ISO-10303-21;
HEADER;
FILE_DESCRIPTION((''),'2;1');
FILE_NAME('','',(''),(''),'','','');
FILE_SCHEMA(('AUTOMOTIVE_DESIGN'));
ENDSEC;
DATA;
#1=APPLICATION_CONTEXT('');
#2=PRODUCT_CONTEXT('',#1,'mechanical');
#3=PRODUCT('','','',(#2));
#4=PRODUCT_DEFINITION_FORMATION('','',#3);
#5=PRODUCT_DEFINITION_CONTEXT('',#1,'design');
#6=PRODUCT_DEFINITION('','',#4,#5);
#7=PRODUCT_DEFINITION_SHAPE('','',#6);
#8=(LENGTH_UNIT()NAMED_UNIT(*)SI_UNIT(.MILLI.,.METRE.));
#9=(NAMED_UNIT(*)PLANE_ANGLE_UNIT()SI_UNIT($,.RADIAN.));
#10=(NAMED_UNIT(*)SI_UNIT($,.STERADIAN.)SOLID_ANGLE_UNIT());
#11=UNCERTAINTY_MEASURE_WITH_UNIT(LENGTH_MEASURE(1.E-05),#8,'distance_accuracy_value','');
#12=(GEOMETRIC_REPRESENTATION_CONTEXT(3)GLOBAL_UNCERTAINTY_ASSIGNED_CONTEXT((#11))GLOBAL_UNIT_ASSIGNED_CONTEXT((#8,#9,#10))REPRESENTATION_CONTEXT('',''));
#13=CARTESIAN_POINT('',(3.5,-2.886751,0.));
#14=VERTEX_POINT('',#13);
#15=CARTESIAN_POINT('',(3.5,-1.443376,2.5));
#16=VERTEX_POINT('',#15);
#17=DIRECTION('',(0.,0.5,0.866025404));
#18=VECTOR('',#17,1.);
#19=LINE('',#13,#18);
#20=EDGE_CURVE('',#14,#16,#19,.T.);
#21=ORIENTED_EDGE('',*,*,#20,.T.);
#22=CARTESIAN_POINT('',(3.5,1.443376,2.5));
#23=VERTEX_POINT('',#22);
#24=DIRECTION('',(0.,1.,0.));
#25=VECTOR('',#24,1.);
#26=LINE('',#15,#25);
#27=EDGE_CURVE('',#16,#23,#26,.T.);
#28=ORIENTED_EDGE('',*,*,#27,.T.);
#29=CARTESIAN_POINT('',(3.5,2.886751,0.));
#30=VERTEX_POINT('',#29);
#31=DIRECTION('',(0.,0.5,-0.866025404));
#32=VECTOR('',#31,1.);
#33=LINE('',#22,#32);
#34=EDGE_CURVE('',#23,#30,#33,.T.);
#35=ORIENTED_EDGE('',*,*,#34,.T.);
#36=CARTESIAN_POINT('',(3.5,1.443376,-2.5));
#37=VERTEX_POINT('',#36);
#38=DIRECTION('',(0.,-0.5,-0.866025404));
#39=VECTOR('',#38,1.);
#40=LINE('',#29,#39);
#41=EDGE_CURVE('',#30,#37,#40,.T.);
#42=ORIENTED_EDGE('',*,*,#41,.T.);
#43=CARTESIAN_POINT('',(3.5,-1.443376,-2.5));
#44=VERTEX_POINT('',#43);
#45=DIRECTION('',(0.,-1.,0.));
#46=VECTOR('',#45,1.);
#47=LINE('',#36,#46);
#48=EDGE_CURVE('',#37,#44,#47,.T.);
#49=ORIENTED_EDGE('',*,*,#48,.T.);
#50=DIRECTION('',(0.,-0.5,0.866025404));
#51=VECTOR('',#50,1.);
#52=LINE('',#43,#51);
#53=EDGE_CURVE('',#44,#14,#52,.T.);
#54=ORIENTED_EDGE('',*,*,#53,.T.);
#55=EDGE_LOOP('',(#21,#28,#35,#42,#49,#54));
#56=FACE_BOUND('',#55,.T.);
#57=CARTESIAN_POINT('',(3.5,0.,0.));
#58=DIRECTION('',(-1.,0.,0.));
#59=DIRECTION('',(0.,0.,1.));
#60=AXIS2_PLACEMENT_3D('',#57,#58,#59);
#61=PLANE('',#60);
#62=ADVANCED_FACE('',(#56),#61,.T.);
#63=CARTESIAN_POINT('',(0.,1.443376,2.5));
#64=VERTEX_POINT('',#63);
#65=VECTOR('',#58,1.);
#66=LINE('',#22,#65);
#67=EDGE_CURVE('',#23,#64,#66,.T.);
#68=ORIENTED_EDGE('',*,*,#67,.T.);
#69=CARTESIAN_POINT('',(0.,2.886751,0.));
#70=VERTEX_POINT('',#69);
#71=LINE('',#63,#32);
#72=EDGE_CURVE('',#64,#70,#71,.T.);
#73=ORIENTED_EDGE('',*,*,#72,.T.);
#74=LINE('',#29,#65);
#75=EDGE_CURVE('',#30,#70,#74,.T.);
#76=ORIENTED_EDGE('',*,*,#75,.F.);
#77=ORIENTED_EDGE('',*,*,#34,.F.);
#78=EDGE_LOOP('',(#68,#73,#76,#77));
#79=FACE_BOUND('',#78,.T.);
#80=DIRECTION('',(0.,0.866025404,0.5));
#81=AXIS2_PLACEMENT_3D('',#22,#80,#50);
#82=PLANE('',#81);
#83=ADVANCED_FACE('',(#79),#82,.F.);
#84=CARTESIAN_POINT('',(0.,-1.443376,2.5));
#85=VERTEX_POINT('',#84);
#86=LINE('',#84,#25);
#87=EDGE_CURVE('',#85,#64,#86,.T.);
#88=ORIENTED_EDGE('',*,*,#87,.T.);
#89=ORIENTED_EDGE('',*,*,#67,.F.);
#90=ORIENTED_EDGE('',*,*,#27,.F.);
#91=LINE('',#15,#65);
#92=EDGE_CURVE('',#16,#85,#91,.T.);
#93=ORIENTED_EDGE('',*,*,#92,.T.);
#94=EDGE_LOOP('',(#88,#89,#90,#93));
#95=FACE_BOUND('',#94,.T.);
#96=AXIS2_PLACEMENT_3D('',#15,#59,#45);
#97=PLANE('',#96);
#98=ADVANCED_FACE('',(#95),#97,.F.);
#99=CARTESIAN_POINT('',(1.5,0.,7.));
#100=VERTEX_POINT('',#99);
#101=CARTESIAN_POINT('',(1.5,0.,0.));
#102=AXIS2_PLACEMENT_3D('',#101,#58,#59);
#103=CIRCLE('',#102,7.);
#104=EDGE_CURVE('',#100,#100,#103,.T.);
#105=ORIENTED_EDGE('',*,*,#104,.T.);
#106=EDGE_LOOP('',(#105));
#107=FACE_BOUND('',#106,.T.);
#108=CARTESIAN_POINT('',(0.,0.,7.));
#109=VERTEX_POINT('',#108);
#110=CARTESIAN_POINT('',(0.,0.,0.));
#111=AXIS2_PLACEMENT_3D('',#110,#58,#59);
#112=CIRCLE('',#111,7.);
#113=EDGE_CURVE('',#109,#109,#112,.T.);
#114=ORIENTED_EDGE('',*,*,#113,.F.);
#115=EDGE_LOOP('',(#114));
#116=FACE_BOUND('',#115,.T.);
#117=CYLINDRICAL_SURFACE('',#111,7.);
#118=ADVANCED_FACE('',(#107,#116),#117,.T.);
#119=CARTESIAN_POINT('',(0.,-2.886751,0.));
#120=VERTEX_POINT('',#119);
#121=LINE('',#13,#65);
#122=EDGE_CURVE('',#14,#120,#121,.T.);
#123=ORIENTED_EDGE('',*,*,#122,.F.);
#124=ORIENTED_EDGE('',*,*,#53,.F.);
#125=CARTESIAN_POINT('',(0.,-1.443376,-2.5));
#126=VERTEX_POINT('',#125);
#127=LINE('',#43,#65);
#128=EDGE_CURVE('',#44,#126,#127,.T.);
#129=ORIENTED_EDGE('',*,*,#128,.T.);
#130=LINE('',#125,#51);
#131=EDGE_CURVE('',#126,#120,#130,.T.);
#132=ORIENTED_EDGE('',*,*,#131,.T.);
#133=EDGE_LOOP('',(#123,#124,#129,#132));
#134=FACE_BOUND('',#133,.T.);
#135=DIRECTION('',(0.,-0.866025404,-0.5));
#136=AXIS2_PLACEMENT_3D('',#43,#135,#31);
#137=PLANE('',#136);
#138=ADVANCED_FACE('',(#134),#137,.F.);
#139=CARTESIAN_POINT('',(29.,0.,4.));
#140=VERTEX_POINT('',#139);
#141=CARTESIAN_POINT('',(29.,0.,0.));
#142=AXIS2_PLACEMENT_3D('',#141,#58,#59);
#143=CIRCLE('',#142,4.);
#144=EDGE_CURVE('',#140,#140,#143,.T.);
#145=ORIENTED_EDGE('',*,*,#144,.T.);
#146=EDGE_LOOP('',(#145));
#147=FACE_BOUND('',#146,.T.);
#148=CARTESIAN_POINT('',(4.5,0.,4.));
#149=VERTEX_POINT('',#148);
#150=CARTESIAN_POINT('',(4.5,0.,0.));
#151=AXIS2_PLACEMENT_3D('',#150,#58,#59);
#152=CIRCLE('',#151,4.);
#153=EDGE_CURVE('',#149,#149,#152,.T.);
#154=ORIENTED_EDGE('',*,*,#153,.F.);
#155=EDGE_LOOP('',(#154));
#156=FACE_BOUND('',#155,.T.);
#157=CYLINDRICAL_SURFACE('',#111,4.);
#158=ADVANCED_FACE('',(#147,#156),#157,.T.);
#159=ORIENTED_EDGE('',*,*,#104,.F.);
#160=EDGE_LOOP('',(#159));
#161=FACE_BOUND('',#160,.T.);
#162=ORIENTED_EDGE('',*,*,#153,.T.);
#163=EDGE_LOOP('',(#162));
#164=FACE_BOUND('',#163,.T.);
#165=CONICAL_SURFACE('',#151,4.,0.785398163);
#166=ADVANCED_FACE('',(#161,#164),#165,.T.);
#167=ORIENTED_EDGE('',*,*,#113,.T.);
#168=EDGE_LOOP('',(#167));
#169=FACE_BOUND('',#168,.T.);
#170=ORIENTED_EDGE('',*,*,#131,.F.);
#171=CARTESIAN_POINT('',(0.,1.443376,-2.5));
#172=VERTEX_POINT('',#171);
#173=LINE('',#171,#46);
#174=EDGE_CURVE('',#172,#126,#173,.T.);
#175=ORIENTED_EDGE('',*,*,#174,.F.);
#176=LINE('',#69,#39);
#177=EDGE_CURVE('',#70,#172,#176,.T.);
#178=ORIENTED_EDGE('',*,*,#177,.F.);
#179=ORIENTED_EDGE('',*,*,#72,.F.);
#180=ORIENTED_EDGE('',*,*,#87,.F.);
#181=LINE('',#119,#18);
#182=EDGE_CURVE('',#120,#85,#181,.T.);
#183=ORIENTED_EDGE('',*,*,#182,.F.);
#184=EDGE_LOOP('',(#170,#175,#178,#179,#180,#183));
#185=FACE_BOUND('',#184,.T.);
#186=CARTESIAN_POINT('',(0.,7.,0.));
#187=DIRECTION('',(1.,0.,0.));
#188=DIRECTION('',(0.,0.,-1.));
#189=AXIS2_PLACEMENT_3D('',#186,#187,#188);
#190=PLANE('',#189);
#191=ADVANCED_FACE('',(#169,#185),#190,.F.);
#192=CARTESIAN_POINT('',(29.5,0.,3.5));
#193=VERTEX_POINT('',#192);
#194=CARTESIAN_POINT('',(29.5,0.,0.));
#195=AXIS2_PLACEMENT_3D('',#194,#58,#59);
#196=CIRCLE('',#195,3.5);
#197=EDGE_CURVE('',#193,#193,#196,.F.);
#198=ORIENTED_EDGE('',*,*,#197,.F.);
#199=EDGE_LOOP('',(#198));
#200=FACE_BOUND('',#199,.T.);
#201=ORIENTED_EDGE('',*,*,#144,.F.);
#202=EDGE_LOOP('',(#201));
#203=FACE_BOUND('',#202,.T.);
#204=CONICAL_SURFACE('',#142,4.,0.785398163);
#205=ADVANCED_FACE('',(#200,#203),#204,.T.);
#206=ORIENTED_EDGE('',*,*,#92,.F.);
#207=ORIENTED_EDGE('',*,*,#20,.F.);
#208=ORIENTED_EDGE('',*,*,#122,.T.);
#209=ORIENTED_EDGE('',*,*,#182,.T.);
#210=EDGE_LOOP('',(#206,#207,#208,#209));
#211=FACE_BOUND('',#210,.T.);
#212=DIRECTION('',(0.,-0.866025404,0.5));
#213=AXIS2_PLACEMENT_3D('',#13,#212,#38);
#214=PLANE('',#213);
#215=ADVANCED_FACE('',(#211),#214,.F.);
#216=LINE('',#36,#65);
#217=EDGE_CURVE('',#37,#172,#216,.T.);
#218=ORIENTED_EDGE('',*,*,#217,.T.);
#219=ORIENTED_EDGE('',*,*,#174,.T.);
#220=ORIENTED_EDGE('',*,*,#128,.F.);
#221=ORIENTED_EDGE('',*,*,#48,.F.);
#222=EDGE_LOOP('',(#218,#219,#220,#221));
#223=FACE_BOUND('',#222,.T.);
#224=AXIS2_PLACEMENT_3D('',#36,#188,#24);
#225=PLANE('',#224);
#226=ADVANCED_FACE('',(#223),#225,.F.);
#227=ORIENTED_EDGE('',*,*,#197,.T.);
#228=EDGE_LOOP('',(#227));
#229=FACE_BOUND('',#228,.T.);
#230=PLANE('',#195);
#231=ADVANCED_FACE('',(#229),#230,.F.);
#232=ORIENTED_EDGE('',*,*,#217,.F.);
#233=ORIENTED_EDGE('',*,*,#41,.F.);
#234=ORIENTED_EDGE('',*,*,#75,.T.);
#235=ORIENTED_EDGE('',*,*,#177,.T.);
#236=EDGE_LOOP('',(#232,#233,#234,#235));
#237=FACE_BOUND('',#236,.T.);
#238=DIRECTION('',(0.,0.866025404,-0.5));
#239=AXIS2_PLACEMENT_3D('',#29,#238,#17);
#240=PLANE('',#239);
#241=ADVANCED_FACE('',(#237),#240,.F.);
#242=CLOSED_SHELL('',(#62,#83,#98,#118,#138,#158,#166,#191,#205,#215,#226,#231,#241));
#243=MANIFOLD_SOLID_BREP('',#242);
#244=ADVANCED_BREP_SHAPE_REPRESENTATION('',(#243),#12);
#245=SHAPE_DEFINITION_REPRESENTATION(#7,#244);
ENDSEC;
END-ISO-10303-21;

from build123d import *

# Parameters (mm, degrees)
CUT_EXTRUDE1_DEPTH = 3.5
CHAMFER1_SIZE      = 0.5


with BuildPart() as part:
    # Sketch1 → Revolve1 (revolve)
    with BuildSketch(Plane.XY, mode=Mode.PRIVATE) as revolve1_sk:
        Polygon((0, 0), (29.5, 0), (29.5, 4), (4.5, 4), (1.5, 7), (0, 7), align=None)
    revolve(revolve1_sk.sketch.rotate(Axis((0, 0, 0), (1, 0, 0)), 90), axis=Axis((0, 0, 0), (1, 0, 0)))

    # Sketch2 → Cut-Extrude1 (cut)
    with BuildSketch(Plane.ZY):
        Polygon((0, 2.886751346), (-2.5, 1.443375673), (-2.5, -1.443375673), (0, -2.886751346), (2.5, -1.443375673), (2.5, 1.443375673), align=None)
    extrude(amount=-CUT_EXTRUDE1_DEPTH, mode=Mode.SUBTRACT)

    # Chamfer1
    chamfer1_edges = [part.edges().sort_by_distance(p)[0] for p in [
        (29.5, 0, -4),
    ]]
    chamfer(chamfer1_edges, length=CHAMFER1_SIZE)


solid = part.part
